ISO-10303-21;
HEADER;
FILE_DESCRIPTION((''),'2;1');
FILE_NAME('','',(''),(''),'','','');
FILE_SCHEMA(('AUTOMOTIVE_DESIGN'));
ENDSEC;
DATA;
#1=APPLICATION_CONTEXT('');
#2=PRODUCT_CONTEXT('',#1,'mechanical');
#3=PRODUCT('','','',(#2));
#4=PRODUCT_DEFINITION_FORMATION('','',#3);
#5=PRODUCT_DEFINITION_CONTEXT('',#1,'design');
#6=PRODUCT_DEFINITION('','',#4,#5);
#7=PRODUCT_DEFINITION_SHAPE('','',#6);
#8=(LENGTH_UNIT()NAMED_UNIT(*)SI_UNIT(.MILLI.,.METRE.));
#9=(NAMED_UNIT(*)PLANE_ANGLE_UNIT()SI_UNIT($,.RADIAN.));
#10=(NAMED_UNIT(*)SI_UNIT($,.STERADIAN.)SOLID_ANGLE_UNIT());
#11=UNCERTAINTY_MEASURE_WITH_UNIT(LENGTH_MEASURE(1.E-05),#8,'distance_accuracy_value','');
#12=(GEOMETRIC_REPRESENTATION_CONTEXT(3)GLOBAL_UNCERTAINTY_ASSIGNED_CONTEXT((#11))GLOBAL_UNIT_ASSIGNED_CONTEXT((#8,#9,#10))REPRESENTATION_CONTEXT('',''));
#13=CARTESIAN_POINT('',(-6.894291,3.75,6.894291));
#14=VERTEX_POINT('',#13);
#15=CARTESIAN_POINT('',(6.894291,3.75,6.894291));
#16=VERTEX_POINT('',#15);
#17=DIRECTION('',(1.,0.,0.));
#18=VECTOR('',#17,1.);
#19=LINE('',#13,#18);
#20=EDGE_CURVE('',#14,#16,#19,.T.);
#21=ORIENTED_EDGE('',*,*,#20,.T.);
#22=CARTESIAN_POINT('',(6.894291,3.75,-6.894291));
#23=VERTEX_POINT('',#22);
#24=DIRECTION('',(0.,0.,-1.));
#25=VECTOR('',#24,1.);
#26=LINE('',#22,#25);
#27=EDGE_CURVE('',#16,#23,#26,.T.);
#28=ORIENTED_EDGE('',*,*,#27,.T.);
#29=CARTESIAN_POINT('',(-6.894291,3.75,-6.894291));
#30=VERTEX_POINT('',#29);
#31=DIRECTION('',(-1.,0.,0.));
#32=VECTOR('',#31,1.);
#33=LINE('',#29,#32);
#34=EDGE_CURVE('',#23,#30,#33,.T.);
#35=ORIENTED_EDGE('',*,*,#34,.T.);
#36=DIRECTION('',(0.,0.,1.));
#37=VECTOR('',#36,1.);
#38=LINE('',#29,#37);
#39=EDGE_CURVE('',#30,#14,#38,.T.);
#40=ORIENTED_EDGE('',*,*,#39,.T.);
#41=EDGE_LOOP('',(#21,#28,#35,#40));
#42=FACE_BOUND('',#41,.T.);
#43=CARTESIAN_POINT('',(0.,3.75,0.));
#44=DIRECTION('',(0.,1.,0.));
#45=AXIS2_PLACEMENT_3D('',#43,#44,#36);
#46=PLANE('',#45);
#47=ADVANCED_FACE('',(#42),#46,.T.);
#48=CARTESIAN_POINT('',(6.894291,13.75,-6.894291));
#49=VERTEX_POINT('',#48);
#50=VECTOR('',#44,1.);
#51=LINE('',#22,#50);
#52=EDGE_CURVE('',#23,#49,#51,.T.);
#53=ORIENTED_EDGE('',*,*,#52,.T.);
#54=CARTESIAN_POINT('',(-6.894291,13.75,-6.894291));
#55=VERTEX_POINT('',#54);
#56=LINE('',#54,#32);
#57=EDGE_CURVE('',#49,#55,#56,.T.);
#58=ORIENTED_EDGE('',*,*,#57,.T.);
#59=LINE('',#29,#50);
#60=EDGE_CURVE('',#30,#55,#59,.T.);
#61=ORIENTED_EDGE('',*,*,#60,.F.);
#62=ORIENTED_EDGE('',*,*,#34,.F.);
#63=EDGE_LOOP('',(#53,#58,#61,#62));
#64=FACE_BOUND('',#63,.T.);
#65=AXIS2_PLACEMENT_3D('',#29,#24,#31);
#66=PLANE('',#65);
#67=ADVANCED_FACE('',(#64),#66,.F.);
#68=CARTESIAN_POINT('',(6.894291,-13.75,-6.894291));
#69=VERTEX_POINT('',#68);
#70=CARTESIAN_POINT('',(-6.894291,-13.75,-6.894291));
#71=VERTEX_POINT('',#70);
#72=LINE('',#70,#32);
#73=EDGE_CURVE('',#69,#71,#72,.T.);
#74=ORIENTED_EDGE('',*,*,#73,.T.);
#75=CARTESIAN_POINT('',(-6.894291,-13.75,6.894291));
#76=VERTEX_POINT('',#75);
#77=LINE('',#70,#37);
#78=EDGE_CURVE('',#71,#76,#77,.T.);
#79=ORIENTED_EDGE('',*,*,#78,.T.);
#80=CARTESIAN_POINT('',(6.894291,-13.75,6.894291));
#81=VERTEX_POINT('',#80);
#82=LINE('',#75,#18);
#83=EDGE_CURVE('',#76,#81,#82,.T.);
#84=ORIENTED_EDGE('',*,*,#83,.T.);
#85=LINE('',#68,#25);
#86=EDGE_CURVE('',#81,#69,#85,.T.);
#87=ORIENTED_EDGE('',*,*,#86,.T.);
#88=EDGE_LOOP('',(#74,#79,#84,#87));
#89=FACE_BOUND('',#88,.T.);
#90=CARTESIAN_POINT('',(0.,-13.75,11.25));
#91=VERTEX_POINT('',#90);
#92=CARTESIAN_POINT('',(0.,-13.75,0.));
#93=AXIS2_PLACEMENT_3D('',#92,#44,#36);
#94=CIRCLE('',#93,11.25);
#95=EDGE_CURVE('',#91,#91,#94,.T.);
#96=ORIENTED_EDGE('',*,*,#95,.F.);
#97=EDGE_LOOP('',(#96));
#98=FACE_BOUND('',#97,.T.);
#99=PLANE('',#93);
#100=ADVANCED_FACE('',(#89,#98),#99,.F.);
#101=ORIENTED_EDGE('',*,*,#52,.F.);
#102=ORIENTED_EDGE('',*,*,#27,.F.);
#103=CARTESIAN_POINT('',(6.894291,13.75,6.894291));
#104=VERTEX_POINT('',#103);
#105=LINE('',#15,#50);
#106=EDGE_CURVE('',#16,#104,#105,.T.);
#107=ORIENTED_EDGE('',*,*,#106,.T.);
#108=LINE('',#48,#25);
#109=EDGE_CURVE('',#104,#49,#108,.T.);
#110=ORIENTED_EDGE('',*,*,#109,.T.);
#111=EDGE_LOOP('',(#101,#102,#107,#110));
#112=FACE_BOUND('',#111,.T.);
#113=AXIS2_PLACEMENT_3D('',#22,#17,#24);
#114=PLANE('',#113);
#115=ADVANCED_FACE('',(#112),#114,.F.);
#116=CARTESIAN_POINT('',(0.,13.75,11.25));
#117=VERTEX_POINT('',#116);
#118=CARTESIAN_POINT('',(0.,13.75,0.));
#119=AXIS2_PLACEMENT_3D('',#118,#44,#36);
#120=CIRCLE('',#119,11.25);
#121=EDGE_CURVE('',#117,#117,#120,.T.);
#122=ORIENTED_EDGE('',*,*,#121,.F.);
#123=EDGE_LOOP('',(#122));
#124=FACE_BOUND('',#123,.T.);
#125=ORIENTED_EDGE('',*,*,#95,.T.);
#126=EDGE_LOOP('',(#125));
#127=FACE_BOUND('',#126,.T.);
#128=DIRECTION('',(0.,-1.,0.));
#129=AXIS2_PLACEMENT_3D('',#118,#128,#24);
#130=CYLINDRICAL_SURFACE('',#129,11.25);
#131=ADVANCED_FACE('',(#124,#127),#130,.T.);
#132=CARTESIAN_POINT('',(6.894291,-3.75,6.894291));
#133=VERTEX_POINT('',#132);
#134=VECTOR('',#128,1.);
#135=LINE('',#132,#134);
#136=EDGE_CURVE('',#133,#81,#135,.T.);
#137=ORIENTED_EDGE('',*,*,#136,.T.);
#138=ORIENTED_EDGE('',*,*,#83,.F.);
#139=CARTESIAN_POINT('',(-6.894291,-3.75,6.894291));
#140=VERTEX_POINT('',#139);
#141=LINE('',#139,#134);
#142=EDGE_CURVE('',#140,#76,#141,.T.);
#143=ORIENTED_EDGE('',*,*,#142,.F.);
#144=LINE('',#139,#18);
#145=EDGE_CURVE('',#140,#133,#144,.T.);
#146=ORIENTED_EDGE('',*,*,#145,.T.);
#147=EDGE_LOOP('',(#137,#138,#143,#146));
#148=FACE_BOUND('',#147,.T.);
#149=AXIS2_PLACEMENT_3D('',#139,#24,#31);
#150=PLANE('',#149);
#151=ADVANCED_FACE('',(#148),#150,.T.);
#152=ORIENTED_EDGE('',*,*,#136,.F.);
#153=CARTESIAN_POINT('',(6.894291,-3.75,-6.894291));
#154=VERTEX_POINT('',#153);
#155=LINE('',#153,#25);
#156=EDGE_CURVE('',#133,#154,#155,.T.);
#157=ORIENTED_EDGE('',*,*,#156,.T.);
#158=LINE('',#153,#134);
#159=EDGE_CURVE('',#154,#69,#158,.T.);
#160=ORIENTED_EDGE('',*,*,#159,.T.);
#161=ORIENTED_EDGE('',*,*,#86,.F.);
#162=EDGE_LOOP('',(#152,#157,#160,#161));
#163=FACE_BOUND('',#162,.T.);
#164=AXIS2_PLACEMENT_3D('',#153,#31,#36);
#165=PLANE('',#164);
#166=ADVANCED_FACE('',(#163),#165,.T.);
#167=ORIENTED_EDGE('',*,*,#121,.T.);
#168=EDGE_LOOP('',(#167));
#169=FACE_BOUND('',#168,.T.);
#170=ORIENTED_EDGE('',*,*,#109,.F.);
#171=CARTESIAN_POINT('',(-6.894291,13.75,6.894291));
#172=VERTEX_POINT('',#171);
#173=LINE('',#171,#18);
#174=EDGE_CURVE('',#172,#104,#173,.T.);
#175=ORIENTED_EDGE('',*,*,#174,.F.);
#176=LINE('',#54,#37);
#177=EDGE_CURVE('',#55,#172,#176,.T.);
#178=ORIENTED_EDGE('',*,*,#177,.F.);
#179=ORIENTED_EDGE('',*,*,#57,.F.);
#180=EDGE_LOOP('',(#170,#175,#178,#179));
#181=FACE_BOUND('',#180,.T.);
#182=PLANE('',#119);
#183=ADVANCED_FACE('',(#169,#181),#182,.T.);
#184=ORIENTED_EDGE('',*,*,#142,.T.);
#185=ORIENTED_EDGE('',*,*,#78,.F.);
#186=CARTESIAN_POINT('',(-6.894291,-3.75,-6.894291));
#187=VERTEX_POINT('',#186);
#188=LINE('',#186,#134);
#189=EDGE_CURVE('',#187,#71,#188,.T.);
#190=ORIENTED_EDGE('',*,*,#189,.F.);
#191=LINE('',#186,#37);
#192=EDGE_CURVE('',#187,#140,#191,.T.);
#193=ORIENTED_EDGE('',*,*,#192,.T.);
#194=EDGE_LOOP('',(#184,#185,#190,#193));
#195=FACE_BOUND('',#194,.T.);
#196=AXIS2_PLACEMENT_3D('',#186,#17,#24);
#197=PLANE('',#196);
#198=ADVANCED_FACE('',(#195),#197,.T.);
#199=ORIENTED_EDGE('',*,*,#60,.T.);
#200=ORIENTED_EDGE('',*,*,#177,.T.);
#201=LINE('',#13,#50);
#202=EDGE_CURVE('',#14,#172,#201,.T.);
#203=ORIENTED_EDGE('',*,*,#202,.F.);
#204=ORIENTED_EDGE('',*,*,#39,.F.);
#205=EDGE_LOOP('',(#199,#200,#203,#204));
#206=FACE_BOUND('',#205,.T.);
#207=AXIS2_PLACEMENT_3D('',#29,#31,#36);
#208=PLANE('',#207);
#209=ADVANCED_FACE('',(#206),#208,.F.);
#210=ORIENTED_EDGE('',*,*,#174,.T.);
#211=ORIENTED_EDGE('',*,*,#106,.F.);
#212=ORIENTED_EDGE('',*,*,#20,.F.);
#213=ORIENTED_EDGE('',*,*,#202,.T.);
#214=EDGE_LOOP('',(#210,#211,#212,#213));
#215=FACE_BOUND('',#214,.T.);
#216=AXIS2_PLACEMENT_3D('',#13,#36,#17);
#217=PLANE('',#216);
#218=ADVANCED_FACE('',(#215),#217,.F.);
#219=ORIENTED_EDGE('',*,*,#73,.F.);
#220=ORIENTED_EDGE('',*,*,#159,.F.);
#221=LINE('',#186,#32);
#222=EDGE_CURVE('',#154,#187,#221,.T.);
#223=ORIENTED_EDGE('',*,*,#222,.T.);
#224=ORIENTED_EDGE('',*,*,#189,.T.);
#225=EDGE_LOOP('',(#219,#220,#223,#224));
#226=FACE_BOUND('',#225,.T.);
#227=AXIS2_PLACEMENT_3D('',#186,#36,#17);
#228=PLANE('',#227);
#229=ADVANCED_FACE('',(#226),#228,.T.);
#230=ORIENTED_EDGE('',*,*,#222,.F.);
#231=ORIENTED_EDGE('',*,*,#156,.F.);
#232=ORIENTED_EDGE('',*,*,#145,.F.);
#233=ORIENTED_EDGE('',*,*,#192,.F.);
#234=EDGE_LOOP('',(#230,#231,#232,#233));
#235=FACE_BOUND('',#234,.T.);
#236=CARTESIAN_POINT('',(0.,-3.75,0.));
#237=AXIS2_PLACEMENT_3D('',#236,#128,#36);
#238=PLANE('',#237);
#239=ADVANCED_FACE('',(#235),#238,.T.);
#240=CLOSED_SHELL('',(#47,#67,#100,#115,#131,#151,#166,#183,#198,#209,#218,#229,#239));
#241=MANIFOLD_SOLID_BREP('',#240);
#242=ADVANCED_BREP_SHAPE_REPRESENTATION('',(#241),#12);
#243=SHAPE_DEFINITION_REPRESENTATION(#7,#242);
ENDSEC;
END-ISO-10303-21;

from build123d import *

# Parameters (mm, degrees)
ESQUISSE1_R             = 11.25
BOSS_EXTRU_1_DEPTH      = 13.75
ESQUISSE3_W             = 13.788582234
ESQUISSE3_H             = 13.788582234
ENL_V_MAT_EXTRU_3_DEPTH = 10


with BuildPart() as part:
    # Esquisse1 → Boss.-Extru.1 (new, symmetric)
    with BuildSketch(Plane(origin=(0, 0, 0), x_dir=(1, 0, 0), z_dir=(0, 1, 0))):
        with Locations(Location((0, 0, 0), (0, 0, 270))):
            Circle(ESQUISSE1_R)
    extrude(amount=BOSS_EXTRU_1_DEPTH, both=True)

    # Esquisse3 → Enlèv. mat.-Extru.3 (cut)
    with BuildSketch(Plane(origin=(0, 13.75, 0), x_dir=(1, 0, 0), z_dir=(0, 1, 0))):
        Rectangle(ESQUISSE3_W, ESQUISSE3_H)
    enl_v_mat_extru_3 = extrude(amount=-ENL_V_MAT_EXTRU_3_DEPTH, mode=Mode.SUBTRACT)

    # Symétrie1: Enlèv. mat.-Extru.3 across plane
    add(enl_v_mat_extru_3.mirror(Plane.ZX), mode=Mode.SUBTRACT)


solid = part.part
